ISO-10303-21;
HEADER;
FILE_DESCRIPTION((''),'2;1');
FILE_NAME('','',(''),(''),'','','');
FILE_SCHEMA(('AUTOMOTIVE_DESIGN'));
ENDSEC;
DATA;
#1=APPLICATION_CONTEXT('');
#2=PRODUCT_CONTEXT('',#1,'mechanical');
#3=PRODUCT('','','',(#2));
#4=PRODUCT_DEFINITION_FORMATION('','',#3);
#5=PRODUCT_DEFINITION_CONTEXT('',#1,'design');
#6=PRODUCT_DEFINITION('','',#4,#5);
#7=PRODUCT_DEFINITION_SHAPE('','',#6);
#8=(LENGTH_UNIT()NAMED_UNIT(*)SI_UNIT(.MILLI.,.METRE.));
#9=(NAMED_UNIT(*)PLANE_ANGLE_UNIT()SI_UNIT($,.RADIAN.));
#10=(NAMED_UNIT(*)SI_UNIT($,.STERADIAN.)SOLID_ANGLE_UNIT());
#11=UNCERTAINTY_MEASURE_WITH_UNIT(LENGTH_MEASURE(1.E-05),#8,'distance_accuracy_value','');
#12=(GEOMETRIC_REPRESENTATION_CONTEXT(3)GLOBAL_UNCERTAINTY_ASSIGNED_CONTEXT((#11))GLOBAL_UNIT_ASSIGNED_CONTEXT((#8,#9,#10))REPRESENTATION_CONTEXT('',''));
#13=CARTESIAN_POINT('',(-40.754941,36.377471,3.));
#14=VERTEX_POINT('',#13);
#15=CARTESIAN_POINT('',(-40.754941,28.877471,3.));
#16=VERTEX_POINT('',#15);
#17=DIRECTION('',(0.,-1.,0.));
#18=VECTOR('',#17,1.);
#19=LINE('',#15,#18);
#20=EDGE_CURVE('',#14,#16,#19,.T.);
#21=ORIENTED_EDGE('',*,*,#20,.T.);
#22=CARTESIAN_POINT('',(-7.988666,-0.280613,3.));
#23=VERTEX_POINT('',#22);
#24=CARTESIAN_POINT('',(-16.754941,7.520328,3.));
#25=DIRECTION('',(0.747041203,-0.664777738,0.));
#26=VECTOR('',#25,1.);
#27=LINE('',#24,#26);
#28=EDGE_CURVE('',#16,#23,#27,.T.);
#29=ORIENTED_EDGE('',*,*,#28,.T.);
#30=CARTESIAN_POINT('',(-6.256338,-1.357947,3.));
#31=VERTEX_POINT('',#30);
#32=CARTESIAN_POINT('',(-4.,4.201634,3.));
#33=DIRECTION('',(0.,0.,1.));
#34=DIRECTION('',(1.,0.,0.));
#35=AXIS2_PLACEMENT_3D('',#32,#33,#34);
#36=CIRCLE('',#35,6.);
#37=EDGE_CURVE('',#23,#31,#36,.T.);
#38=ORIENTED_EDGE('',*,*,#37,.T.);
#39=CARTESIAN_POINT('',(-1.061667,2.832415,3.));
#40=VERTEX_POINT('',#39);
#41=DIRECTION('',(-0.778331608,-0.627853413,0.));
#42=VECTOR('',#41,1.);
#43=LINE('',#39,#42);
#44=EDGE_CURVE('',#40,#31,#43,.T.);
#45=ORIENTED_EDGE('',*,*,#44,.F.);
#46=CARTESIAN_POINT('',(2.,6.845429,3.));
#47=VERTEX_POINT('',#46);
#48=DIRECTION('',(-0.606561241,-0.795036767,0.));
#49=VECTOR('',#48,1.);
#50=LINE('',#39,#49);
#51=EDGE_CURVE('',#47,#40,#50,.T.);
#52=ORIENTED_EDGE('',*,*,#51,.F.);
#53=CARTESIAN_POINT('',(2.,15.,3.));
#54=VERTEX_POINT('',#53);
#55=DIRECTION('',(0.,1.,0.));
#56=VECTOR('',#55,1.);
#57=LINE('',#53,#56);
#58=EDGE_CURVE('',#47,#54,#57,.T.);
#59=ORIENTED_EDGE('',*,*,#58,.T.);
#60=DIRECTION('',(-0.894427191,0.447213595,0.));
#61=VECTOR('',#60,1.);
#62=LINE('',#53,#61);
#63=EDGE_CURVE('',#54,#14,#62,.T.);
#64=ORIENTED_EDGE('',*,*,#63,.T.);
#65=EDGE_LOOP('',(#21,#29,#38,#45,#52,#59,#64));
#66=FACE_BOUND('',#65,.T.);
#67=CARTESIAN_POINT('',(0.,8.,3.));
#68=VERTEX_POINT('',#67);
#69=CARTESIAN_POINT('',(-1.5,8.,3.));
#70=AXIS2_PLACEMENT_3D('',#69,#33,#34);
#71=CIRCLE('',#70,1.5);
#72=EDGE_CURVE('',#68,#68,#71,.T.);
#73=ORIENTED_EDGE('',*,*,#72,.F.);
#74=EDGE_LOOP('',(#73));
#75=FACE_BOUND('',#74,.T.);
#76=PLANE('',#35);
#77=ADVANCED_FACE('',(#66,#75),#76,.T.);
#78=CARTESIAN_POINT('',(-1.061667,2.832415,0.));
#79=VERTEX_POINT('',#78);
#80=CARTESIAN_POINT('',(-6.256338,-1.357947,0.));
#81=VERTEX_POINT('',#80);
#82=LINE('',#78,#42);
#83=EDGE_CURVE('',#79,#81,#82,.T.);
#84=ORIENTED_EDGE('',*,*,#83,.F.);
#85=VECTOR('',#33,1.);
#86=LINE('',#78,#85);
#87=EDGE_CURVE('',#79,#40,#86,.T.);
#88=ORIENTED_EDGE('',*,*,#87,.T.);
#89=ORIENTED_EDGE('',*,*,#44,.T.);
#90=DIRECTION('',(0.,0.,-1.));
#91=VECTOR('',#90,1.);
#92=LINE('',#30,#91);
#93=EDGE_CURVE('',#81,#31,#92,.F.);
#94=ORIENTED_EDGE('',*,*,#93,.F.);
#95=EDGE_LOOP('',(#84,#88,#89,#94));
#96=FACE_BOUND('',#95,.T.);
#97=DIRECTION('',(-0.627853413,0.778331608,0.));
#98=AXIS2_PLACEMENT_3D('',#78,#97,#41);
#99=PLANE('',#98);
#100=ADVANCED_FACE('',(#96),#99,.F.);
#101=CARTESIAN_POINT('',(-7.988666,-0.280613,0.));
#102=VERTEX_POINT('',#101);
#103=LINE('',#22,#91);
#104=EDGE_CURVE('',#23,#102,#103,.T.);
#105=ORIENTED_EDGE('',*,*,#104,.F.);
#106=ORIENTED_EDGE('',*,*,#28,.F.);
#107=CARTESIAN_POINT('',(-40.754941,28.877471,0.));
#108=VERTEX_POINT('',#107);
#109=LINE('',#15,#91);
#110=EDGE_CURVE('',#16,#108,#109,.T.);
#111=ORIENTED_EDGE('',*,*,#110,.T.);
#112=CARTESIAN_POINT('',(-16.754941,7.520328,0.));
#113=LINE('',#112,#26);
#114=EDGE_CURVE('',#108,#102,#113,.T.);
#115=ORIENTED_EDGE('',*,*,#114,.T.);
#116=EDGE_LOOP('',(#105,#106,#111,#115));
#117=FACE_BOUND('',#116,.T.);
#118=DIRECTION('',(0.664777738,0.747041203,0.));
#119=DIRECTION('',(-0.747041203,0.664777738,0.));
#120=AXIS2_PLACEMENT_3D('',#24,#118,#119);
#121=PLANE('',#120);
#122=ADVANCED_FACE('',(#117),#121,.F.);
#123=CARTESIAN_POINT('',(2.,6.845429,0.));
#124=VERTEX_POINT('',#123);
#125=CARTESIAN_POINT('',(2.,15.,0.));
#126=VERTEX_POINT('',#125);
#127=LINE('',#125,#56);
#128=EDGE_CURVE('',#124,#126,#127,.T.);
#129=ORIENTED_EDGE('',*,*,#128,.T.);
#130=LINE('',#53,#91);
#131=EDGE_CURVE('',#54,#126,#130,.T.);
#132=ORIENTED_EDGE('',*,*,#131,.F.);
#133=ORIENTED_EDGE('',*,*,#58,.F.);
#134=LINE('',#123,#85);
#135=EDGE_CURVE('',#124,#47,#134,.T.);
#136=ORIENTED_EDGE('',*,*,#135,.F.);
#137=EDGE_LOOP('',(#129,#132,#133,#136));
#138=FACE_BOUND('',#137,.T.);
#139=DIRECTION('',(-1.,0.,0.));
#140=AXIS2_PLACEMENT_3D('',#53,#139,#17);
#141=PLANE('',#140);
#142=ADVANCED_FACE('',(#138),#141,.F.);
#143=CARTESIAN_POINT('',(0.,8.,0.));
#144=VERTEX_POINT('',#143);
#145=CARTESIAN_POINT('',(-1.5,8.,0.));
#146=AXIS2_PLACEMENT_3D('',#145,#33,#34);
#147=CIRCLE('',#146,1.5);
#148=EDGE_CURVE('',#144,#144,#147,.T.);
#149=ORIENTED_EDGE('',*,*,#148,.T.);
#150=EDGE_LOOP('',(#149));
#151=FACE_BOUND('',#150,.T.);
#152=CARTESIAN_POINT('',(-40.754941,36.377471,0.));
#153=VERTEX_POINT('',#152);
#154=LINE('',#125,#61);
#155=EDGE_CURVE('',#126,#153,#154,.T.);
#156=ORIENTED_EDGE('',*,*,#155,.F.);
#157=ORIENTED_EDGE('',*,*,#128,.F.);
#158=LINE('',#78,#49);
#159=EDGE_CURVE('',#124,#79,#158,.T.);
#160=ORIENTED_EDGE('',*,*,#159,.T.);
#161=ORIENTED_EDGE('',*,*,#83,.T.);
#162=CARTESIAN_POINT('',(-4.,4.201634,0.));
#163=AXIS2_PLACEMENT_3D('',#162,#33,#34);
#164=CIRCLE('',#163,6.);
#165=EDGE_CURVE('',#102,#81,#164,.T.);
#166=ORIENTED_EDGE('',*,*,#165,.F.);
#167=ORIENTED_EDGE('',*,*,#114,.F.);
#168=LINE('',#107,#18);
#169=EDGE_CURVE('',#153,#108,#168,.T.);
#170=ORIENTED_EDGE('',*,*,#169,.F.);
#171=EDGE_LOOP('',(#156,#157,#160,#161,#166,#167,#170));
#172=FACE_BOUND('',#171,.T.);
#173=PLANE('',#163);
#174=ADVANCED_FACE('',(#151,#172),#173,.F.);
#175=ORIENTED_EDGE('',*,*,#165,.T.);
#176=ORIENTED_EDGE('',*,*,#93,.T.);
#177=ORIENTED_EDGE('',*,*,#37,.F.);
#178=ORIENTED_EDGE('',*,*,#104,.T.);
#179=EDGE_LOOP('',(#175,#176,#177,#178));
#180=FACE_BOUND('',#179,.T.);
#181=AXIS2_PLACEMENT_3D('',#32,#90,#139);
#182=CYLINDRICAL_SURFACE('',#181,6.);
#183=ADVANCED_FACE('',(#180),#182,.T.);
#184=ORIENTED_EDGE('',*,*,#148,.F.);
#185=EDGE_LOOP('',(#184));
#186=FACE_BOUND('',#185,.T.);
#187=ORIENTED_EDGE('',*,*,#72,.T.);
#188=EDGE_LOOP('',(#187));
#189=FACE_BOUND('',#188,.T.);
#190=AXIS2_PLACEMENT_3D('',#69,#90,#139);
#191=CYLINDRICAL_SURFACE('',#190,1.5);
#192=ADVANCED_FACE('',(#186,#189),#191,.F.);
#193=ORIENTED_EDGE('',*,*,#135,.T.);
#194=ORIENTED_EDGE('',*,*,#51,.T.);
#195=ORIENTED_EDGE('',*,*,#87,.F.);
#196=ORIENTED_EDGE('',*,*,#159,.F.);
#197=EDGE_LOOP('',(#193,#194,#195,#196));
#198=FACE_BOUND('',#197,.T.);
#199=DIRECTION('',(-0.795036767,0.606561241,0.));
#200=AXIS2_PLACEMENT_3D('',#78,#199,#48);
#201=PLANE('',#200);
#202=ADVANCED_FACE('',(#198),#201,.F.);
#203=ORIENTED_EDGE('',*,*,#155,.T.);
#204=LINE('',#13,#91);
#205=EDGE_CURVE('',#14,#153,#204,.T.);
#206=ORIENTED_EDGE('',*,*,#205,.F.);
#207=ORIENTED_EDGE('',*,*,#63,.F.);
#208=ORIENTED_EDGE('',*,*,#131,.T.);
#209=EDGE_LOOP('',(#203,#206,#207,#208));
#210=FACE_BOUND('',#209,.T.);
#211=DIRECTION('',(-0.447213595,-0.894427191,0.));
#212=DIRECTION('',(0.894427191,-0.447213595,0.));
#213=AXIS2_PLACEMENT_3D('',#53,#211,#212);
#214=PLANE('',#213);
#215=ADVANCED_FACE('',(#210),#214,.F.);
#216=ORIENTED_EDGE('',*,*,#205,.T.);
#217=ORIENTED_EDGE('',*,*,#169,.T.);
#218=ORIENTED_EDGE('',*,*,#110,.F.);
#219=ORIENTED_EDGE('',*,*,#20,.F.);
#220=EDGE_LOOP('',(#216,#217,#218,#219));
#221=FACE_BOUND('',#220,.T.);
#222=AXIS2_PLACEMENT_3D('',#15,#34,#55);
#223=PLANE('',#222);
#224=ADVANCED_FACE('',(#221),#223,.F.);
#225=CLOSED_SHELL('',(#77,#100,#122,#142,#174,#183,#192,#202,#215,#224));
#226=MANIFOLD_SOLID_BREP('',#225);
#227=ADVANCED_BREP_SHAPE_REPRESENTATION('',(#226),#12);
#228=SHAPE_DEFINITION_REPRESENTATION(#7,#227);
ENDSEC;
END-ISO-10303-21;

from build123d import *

# Parameters (mm, degrees)
SKETCH1_R           = 1.5
BOSS_EXTRUDE1_DEPTH = 3
CUT_EXTRUDE1_DEPTH  = 3


with BuildPart() as part:
    # Sketch1 → Boss-Extrude1 (new body)
    with BuildSketch(Plane.XY):
        with BuildLine():
            Line((2, 15), (2, 4.201633911))
            ThreePointArc((2, 4.201633911), (-1.543579693, -1.272486957), (-7.988666425, -0.280613309))
            Line((-7.988666425, -0.280613309), (-16.754941475, 7.52032788))
            Line((-16.754941475, 7.52032788), (-40.754941475, 28.877470737))
            Line((-40.754941475, 28.877470737), (-40.754941475, 36.377470737))
            Line((-40.754941475, 36.377470737), (2, 15))
        make_face()
        with Locations((-1.5, 8)):
            Circle(SKETCH1_R, mode=Mode.SUBTRACT)
    extrude(amount=BOSS_EXTRUDE1_DEPTH)

    # Sketch2 → Cut-Extrude1 (cut)
    with BuildSketch(Plane.XY.offset(3)):
        Polygon((-1.061667456, 2.832415464), (-6.529971665, -1.578677992), (-7.079129118, -3.627506614), (6.602158547, -3.973243126), (4.478348548, 4.339015555), (2, 6.845428543), align=None)
    extrude(amount=-CUT_EXTRUDE1_DEPTH, mode=Mode.SUBTRACT)


solid = part.part
